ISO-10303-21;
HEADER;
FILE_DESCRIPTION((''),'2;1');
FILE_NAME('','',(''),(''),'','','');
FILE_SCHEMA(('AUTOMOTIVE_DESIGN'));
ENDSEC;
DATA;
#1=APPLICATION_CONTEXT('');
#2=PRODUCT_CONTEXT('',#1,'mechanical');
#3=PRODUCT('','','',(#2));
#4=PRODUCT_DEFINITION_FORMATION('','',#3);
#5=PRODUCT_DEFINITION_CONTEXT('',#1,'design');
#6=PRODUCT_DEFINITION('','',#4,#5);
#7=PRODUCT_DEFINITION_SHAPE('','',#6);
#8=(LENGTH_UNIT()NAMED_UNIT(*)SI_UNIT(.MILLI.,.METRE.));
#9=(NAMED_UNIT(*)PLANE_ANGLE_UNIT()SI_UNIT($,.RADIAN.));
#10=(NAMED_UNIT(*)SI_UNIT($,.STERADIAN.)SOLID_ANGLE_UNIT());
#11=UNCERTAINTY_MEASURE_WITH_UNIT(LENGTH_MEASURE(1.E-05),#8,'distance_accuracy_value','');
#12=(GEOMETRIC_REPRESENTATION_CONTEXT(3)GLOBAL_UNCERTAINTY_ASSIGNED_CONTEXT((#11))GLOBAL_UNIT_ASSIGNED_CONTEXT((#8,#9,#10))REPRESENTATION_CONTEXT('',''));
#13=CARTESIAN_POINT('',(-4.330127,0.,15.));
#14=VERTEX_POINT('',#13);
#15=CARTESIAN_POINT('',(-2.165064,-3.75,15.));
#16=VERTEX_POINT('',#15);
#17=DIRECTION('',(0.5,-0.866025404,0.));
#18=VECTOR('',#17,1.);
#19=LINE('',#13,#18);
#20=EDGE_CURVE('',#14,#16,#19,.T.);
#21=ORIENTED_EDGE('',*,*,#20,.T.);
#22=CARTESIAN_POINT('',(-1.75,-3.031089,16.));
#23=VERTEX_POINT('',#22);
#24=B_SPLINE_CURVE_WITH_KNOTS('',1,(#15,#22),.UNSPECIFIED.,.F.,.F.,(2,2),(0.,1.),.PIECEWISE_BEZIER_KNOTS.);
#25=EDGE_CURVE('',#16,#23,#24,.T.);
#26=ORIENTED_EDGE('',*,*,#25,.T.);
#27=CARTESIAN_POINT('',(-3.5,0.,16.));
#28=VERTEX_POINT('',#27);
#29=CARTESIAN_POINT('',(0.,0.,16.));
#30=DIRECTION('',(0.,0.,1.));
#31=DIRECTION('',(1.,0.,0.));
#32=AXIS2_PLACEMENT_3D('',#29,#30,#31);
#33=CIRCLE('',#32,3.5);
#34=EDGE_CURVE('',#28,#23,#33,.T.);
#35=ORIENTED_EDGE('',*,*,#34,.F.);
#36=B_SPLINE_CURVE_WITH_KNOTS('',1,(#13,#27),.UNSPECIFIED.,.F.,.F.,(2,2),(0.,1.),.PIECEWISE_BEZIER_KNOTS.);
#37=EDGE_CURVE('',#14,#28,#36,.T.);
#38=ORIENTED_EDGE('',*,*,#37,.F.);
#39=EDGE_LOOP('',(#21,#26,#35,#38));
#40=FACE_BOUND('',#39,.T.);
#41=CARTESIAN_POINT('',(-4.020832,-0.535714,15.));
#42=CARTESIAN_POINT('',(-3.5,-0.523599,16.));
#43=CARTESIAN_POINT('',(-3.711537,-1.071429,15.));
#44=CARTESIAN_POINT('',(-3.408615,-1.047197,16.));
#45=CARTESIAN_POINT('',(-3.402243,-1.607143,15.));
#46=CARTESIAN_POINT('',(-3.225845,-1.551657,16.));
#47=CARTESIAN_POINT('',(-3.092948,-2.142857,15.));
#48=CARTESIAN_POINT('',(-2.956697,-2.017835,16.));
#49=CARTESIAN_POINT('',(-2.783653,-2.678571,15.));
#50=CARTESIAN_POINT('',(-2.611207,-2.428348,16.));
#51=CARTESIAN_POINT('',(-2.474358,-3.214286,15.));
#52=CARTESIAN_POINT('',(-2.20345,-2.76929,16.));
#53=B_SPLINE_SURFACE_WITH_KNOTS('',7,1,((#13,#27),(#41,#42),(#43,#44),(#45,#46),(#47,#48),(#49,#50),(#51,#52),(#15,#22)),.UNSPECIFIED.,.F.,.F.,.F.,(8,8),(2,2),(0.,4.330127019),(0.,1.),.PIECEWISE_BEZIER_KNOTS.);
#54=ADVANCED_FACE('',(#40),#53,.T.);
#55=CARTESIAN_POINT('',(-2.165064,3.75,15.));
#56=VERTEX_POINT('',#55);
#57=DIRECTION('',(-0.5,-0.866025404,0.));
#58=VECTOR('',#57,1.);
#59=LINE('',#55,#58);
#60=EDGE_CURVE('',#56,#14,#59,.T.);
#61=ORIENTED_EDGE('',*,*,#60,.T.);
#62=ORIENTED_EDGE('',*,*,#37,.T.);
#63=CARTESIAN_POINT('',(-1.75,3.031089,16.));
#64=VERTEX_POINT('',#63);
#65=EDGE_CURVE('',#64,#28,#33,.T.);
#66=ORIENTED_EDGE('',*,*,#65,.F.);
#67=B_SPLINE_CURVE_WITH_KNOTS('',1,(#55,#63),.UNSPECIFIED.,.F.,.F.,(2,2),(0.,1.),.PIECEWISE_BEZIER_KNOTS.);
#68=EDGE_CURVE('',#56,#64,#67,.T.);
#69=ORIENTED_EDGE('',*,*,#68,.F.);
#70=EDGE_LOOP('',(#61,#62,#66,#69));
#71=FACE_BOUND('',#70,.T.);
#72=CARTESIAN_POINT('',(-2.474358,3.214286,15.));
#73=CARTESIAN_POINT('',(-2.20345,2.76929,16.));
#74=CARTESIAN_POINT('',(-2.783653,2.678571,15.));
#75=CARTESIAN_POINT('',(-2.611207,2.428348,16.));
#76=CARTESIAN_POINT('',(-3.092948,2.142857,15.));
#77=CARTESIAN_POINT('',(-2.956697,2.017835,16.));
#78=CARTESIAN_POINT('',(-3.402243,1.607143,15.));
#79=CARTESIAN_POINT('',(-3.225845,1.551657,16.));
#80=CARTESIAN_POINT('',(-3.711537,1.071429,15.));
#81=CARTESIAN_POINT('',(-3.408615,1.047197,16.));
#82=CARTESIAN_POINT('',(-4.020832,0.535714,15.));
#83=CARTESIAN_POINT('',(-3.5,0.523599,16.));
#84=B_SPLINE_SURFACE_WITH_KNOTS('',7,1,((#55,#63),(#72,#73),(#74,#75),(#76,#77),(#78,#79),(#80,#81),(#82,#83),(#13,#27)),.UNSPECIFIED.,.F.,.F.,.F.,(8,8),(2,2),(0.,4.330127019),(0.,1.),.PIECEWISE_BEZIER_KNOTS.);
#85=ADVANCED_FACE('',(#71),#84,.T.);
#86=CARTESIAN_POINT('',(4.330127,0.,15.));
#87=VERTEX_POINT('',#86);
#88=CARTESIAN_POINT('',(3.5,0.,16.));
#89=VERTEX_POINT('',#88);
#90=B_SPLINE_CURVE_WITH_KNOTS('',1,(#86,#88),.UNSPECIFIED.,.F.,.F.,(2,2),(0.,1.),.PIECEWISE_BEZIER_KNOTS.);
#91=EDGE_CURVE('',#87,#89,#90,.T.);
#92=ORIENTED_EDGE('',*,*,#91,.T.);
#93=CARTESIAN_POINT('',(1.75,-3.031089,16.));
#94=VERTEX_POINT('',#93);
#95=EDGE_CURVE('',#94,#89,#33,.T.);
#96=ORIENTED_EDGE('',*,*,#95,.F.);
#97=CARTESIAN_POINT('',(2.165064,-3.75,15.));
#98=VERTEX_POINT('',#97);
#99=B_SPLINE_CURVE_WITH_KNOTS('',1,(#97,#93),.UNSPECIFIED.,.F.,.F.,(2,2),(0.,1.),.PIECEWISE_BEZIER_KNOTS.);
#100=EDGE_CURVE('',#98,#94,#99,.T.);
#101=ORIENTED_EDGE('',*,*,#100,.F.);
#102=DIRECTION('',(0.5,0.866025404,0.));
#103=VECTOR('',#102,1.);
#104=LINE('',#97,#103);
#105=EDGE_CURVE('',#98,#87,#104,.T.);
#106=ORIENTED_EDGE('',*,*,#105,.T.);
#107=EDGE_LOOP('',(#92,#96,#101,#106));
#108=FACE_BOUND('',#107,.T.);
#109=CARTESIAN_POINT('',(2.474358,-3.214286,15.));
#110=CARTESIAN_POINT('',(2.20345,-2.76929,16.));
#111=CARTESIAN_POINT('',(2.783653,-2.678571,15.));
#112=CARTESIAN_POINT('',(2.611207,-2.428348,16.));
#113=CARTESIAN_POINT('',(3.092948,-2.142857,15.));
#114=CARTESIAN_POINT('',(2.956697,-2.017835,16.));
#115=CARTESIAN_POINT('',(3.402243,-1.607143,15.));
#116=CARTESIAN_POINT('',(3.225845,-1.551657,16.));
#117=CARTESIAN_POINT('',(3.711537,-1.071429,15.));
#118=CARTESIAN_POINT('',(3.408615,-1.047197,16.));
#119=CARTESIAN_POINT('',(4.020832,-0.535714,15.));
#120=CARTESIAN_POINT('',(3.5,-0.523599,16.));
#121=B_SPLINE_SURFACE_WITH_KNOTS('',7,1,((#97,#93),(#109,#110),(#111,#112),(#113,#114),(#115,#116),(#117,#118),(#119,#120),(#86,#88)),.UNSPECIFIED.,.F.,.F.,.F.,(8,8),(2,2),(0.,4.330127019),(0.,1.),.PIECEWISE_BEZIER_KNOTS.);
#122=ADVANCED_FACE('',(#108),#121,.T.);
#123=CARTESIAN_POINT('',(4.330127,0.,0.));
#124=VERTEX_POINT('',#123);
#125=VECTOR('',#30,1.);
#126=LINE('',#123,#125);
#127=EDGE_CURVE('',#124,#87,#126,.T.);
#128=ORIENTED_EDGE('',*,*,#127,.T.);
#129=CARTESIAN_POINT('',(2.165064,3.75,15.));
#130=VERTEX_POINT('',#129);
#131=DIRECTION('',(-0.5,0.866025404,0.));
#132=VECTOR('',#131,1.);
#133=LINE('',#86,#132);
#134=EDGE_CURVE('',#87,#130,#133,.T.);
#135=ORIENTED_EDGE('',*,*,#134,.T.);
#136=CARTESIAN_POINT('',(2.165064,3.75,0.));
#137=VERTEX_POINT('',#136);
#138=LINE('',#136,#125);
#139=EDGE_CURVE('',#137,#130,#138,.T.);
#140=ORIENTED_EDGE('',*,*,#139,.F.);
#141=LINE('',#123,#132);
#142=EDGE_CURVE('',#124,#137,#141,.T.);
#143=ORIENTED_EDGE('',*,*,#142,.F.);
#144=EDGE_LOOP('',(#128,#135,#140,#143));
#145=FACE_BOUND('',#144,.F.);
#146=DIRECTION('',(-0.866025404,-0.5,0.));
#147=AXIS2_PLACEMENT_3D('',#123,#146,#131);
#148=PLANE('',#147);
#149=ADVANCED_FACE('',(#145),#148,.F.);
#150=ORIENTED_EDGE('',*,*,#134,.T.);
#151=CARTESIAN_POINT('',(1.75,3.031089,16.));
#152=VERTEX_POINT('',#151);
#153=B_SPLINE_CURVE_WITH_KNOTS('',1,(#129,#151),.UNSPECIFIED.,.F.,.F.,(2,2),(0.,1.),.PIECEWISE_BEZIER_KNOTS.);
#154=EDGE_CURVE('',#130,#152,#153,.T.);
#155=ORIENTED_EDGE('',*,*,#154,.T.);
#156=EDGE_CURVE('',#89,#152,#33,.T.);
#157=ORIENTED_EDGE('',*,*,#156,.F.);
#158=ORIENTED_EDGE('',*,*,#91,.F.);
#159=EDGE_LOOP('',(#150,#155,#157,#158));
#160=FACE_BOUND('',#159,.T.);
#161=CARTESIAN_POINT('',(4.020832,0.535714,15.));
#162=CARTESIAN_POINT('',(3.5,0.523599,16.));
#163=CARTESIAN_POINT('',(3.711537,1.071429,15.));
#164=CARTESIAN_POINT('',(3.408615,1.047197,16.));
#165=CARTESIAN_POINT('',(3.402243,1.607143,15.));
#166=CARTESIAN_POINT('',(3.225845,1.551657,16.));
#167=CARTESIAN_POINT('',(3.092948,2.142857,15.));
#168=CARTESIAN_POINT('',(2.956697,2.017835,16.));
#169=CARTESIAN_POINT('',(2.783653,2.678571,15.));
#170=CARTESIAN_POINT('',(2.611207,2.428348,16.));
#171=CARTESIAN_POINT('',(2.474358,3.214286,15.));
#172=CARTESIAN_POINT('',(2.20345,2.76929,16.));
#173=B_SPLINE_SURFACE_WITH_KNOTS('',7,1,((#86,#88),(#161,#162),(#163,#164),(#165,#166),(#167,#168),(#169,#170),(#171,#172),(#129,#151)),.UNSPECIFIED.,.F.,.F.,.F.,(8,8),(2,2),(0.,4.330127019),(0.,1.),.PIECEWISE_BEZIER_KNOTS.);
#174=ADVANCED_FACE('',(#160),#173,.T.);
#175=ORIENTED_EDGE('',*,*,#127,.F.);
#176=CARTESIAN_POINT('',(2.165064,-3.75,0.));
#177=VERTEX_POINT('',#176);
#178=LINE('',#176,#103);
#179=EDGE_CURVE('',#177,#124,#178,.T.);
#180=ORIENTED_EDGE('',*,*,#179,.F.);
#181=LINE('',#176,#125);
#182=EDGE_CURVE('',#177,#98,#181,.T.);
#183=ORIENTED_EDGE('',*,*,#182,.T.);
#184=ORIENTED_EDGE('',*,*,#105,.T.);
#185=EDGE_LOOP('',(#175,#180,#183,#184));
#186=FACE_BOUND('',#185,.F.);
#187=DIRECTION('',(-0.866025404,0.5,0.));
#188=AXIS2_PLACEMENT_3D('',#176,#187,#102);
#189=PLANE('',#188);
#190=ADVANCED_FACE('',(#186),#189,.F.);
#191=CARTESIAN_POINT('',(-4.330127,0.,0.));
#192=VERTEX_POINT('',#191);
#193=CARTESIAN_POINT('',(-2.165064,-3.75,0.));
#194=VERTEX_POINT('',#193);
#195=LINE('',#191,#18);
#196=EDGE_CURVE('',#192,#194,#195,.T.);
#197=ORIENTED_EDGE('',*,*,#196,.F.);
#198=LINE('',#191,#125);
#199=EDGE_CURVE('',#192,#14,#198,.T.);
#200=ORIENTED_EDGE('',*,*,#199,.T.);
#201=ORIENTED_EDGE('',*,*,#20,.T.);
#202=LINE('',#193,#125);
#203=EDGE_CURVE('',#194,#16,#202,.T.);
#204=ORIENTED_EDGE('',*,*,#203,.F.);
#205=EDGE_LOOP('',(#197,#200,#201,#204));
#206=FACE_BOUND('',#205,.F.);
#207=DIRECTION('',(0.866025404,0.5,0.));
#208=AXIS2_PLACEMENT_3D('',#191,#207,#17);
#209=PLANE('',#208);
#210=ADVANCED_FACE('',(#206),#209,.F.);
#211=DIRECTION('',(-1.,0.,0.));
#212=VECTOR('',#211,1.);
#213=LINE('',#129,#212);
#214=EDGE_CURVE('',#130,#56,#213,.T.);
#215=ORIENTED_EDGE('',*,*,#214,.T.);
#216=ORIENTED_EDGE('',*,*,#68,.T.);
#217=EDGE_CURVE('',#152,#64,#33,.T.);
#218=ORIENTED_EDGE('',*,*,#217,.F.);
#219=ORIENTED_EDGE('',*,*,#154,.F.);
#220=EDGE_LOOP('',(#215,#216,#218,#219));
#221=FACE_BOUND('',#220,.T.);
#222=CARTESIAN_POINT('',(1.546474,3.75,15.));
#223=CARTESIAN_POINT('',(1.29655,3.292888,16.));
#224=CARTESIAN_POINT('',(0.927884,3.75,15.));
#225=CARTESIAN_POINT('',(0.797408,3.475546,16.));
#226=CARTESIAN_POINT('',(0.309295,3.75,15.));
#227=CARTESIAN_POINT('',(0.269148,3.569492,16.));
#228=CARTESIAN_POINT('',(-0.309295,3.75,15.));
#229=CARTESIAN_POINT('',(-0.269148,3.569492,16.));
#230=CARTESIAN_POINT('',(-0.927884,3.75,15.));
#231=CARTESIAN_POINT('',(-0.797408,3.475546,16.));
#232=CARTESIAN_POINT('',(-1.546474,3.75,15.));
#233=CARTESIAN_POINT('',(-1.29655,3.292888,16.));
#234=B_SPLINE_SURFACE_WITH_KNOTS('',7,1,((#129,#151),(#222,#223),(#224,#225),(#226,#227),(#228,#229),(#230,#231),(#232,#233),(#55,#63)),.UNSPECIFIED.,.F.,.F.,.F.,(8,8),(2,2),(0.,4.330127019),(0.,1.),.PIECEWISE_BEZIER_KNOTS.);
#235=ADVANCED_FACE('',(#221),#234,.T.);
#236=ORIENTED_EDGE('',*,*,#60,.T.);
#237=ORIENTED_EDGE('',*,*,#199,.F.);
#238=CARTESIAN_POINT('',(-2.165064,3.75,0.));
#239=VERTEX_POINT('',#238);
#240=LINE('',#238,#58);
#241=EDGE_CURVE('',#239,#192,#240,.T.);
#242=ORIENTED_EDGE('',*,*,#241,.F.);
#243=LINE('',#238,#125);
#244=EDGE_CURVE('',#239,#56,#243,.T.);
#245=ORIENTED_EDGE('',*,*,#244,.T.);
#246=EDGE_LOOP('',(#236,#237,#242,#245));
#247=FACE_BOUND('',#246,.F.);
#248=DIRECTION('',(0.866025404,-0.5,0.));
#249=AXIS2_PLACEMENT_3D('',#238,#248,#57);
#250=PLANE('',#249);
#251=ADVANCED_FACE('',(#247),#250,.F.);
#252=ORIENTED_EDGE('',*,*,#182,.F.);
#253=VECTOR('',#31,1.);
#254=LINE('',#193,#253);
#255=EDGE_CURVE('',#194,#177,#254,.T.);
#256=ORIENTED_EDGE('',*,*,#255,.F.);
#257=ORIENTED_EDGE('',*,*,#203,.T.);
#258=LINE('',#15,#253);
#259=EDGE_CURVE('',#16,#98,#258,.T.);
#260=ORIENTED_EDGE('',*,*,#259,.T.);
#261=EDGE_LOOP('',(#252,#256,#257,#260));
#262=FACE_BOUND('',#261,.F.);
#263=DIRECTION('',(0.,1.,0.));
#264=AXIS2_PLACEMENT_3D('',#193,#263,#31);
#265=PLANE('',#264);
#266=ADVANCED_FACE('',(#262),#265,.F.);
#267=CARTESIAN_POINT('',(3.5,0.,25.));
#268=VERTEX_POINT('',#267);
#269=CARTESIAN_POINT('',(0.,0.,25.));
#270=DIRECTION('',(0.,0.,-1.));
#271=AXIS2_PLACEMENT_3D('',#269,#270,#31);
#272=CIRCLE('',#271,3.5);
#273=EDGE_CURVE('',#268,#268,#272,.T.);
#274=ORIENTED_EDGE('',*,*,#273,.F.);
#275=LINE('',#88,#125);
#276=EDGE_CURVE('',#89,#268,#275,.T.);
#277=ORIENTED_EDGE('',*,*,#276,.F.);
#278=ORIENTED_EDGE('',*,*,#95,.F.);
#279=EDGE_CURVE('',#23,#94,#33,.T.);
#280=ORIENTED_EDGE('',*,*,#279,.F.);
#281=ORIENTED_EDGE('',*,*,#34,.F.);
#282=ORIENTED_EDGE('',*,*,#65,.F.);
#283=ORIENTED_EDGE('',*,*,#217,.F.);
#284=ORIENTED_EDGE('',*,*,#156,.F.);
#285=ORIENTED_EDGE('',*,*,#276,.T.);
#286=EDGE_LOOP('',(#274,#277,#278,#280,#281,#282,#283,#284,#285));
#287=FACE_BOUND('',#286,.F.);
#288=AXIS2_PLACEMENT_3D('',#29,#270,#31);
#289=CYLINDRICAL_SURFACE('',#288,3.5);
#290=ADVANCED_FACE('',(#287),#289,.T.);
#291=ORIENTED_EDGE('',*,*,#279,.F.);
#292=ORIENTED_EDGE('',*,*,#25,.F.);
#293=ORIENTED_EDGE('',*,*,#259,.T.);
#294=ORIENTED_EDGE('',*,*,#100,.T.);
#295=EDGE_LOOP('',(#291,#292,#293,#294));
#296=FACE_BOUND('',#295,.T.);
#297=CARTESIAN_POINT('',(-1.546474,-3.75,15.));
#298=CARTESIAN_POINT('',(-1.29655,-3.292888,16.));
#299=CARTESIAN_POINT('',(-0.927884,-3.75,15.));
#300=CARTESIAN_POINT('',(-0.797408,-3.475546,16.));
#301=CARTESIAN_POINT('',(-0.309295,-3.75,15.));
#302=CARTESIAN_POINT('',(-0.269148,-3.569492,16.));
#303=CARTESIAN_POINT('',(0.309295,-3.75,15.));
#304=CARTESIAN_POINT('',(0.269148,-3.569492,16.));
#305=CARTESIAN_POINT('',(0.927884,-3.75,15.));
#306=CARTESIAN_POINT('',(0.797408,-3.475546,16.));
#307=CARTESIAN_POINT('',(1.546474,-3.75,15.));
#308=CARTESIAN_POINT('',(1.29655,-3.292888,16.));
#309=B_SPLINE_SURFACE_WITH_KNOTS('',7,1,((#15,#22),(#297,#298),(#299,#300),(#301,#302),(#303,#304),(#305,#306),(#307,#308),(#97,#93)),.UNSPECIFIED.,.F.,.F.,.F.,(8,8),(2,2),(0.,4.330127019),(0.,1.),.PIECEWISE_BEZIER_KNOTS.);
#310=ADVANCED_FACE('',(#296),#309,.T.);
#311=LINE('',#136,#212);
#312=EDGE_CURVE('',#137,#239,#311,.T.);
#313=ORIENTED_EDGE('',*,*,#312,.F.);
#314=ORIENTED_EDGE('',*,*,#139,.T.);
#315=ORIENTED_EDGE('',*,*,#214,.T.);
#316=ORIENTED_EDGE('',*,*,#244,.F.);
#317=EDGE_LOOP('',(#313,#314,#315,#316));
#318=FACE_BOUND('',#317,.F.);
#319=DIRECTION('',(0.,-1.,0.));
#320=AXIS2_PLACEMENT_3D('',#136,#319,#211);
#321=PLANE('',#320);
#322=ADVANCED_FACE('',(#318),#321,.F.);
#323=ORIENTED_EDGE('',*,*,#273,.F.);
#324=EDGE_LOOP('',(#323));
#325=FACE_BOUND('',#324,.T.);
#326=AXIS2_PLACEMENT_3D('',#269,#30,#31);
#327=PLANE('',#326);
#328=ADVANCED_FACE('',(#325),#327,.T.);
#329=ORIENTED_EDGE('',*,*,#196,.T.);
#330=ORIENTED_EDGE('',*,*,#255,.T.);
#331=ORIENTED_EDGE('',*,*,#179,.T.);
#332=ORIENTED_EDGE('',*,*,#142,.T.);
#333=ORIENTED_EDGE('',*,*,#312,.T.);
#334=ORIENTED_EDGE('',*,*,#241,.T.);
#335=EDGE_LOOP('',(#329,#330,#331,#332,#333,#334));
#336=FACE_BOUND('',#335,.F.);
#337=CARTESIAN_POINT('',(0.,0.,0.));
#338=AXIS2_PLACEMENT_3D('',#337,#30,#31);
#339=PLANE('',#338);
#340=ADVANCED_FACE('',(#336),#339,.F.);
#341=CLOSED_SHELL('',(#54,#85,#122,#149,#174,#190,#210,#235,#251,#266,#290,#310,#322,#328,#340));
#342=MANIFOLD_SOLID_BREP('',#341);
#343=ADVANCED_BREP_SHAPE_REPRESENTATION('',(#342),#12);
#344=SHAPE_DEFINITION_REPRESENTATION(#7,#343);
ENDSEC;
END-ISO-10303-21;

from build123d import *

# Parameters (mm, degrees)
F1_DEPTH = 15
F3_R     = 3.5
F5_DEPTH = 9


with BuildPart() as f1:
    # F0 (on Top) → F1 (new body)
    with BuildSketch(Plane.XY):
        Polygon((2.1650635095, 3.75), (-2.1650635095, 3.75), (-4.3301270189, 0), (-2.1650635095, -3.75), (2.1650635095, -3.75), (4.3301270189, 0), align=None)
    extrude(amount=F1_DEPTH)

    # F1_face (on face) → F4 section 0
    with BuildSketch(Plane.XY.offset(15)):
        Polygon((4.3301270189, 0), (2.1650635095, 3.75), (-2.1650635095, 3.75), (-4.3301270189, 0), (-2.1650635095, -3.75), (2.1650635095, -3.75), align=None)
    # F3 (on offset) → F4 section 1
    with BuildSketch(Plane.XY.offset(16)):
        Circle(F3_R)
    loft()

    # F5 (add): a face of the model
    f5_faces = [f1.faces().sort_by_distance(p)[0] for p in [
        (0, 0, 16),
    ]]
    extrude(f5_faces, amount=F5_DEPTH)


solid = f1.part
